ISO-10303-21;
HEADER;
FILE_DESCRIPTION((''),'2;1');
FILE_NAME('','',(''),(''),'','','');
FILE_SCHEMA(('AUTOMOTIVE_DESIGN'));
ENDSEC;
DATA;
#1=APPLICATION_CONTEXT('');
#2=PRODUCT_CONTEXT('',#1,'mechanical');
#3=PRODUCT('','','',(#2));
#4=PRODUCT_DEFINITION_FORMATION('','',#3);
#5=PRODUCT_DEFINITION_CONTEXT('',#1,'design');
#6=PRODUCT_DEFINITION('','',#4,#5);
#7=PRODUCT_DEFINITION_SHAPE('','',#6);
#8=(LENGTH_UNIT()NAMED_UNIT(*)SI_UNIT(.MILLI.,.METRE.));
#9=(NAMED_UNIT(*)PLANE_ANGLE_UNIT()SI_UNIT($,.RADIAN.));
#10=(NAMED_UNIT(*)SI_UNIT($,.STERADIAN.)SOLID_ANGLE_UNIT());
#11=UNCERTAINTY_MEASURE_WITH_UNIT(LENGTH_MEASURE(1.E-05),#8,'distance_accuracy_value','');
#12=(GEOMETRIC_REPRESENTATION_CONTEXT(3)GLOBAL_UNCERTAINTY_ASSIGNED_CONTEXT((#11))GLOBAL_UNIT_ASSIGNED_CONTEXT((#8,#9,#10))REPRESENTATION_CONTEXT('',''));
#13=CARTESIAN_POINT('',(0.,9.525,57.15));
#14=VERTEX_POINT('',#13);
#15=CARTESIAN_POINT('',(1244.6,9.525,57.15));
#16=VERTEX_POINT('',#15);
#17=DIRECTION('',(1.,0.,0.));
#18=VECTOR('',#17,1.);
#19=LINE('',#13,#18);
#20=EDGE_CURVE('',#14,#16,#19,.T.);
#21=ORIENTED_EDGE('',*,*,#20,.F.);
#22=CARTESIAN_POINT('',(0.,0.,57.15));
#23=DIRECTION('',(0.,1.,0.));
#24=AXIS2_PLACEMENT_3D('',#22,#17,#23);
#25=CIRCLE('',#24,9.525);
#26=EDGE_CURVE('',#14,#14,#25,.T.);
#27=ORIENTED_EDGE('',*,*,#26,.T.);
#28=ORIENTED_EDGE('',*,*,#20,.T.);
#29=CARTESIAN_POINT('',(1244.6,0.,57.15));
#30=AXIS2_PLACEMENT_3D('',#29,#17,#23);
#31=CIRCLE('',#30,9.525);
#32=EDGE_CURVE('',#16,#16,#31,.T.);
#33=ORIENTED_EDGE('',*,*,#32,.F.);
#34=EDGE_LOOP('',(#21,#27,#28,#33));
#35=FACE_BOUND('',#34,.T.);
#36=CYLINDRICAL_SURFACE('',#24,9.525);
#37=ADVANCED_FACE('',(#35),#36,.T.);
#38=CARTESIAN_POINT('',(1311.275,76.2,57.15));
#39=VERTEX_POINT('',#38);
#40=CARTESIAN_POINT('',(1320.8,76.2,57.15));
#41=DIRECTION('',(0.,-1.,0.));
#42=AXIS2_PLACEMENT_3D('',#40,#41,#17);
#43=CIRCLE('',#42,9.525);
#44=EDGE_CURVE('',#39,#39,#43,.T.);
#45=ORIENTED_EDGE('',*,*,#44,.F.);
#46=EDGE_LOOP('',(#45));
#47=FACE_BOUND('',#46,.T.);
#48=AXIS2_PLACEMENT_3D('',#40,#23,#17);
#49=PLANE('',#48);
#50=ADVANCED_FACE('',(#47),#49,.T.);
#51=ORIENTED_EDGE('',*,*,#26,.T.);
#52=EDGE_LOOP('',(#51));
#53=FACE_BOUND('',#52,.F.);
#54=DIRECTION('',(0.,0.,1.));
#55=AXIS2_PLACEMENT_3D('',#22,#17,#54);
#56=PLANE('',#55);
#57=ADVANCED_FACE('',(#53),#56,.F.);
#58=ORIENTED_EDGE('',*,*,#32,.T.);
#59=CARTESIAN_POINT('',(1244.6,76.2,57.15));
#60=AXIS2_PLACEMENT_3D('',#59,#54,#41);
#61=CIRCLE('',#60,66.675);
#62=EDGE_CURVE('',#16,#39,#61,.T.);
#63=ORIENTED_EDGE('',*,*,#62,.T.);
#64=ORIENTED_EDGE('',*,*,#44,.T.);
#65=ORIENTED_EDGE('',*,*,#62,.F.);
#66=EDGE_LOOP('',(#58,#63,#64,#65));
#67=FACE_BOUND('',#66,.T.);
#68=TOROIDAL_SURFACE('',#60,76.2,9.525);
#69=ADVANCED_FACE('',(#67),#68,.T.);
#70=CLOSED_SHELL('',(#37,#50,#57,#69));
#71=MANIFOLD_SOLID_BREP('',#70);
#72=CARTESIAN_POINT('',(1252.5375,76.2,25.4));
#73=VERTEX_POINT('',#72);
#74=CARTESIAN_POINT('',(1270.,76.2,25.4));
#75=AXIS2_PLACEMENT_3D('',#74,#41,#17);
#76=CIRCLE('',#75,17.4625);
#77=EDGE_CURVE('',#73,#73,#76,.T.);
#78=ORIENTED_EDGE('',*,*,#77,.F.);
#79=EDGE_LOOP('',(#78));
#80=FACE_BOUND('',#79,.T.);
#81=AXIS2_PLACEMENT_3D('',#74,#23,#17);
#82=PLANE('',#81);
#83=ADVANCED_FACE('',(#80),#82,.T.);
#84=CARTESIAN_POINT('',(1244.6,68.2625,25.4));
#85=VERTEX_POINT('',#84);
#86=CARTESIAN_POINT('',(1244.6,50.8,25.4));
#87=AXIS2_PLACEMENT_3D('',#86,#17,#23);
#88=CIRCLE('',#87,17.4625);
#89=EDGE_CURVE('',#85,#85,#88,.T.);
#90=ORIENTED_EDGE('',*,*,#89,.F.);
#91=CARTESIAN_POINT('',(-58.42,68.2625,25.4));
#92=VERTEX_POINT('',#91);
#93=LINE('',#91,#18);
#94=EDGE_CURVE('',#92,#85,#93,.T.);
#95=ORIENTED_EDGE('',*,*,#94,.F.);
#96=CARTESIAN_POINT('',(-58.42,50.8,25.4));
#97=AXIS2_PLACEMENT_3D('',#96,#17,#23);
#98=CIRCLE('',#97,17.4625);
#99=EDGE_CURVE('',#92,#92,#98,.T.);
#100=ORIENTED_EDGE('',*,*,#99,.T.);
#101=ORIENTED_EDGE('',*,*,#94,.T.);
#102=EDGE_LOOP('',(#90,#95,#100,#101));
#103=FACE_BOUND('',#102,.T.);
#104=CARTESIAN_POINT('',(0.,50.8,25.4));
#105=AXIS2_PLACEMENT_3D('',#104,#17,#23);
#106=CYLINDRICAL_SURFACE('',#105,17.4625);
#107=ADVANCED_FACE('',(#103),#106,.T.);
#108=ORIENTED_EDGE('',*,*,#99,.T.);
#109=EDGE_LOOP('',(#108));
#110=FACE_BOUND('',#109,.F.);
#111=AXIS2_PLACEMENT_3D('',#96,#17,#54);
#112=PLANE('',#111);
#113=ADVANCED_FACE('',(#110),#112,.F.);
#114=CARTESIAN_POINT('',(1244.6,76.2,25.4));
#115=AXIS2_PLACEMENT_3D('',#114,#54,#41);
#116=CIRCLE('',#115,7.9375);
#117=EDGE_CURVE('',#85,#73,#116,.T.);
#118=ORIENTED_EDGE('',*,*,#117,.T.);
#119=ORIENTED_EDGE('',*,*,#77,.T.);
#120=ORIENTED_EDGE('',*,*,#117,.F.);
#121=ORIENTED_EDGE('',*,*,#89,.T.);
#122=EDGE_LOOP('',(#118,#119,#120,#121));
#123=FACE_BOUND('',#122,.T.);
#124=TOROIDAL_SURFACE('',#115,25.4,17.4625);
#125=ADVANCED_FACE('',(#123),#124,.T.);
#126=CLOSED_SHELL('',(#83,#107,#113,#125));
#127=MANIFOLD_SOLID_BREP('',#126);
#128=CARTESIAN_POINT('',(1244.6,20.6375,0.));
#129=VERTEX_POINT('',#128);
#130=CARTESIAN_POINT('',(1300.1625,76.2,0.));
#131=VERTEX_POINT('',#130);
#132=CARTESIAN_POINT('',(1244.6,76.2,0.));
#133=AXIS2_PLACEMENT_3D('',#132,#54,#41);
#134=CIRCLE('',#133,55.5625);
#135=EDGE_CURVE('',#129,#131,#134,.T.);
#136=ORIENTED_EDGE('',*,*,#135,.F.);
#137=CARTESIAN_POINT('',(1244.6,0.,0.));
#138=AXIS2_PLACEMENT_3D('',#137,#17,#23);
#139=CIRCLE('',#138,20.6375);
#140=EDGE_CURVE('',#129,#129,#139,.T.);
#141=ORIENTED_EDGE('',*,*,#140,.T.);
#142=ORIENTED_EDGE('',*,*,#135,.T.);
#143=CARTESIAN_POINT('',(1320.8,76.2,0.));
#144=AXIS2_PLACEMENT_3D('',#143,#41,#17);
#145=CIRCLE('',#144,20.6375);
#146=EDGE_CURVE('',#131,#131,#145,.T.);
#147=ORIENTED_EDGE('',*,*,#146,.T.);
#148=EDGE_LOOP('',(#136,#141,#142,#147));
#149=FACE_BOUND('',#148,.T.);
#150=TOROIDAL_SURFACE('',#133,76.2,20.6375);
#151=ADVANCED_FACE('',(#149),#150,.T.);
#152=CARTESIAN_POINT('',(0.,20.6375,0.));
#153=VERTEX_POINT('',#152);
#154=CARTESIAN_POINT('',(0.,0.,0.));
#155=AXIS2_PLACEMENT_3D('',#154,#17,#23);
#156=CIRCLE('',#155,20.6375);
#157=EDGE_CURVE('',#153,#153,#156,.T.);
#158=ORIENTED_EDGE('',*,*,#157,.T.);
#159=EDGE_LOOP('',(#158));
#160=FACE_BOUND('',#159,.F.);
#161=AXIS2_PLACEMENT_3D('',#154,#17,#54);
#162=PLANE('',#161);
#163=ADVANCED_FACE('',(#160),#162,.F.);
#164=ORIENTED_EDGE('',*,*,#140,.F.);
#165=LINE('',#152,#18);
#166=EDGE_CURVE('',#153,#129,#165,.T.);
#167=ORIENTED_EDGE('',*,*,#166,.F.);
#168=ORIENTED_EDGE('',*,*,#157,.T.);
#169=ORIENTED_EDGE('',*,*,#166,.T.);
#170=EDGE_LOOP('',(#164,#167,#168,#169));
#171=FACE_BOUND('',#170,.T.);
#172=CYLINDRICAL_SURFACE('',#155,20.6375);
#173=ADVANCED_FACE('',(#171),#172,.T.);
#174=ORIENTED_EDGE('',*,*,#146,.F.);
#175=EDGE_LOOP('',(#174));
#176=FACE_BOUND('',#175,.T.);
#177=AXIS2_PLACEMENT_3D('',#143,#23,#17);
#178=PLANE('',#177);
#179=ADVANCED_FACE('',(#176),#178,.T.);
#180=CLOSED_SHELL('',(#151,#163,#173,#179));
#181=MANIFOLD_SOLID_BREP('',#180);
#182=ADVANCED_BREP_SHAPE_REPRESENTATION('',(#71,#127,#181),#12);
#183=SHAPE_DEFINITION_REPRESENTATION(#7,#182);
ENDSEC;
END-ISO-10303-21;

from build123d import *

# Parameters (mm, degrees)
F0_R     = 20.6375
F0_R_2   = 9.525
F0_R_3   = 17.4625
F3_DEPTH = 58.42


with BuildPart() as f2:
    # F2: sweep along a path in F1
    with BuildLine(Plane.XY) as f2_path:
        Line((0, 0), (1244.6, 0))
        ThreePointArc((1244.6, 0), (1298.4815367264, 22.3184632736), (1320.8, 76.2))
    # F0 (on Right) → F2 (sweep)
    with BuildSketch(Plane.YZ):
        Circle(F0_R)
        with Locations((0, 57.15)):
            Circle(F0_R_2)
        with Locations((50.8, 25.4)):
            Circle(F0_R_3)
    sweep(path=f2_path.line)

    # F3 (add): a face of the model
    f3_faces = [f2.faces().sort_by_distance(p)[0] for p in [
        (0, 50.8, 25.4),
    ]]
    extrude(f3_faces, amount=F3_DEPTH)


solid = f2.part
